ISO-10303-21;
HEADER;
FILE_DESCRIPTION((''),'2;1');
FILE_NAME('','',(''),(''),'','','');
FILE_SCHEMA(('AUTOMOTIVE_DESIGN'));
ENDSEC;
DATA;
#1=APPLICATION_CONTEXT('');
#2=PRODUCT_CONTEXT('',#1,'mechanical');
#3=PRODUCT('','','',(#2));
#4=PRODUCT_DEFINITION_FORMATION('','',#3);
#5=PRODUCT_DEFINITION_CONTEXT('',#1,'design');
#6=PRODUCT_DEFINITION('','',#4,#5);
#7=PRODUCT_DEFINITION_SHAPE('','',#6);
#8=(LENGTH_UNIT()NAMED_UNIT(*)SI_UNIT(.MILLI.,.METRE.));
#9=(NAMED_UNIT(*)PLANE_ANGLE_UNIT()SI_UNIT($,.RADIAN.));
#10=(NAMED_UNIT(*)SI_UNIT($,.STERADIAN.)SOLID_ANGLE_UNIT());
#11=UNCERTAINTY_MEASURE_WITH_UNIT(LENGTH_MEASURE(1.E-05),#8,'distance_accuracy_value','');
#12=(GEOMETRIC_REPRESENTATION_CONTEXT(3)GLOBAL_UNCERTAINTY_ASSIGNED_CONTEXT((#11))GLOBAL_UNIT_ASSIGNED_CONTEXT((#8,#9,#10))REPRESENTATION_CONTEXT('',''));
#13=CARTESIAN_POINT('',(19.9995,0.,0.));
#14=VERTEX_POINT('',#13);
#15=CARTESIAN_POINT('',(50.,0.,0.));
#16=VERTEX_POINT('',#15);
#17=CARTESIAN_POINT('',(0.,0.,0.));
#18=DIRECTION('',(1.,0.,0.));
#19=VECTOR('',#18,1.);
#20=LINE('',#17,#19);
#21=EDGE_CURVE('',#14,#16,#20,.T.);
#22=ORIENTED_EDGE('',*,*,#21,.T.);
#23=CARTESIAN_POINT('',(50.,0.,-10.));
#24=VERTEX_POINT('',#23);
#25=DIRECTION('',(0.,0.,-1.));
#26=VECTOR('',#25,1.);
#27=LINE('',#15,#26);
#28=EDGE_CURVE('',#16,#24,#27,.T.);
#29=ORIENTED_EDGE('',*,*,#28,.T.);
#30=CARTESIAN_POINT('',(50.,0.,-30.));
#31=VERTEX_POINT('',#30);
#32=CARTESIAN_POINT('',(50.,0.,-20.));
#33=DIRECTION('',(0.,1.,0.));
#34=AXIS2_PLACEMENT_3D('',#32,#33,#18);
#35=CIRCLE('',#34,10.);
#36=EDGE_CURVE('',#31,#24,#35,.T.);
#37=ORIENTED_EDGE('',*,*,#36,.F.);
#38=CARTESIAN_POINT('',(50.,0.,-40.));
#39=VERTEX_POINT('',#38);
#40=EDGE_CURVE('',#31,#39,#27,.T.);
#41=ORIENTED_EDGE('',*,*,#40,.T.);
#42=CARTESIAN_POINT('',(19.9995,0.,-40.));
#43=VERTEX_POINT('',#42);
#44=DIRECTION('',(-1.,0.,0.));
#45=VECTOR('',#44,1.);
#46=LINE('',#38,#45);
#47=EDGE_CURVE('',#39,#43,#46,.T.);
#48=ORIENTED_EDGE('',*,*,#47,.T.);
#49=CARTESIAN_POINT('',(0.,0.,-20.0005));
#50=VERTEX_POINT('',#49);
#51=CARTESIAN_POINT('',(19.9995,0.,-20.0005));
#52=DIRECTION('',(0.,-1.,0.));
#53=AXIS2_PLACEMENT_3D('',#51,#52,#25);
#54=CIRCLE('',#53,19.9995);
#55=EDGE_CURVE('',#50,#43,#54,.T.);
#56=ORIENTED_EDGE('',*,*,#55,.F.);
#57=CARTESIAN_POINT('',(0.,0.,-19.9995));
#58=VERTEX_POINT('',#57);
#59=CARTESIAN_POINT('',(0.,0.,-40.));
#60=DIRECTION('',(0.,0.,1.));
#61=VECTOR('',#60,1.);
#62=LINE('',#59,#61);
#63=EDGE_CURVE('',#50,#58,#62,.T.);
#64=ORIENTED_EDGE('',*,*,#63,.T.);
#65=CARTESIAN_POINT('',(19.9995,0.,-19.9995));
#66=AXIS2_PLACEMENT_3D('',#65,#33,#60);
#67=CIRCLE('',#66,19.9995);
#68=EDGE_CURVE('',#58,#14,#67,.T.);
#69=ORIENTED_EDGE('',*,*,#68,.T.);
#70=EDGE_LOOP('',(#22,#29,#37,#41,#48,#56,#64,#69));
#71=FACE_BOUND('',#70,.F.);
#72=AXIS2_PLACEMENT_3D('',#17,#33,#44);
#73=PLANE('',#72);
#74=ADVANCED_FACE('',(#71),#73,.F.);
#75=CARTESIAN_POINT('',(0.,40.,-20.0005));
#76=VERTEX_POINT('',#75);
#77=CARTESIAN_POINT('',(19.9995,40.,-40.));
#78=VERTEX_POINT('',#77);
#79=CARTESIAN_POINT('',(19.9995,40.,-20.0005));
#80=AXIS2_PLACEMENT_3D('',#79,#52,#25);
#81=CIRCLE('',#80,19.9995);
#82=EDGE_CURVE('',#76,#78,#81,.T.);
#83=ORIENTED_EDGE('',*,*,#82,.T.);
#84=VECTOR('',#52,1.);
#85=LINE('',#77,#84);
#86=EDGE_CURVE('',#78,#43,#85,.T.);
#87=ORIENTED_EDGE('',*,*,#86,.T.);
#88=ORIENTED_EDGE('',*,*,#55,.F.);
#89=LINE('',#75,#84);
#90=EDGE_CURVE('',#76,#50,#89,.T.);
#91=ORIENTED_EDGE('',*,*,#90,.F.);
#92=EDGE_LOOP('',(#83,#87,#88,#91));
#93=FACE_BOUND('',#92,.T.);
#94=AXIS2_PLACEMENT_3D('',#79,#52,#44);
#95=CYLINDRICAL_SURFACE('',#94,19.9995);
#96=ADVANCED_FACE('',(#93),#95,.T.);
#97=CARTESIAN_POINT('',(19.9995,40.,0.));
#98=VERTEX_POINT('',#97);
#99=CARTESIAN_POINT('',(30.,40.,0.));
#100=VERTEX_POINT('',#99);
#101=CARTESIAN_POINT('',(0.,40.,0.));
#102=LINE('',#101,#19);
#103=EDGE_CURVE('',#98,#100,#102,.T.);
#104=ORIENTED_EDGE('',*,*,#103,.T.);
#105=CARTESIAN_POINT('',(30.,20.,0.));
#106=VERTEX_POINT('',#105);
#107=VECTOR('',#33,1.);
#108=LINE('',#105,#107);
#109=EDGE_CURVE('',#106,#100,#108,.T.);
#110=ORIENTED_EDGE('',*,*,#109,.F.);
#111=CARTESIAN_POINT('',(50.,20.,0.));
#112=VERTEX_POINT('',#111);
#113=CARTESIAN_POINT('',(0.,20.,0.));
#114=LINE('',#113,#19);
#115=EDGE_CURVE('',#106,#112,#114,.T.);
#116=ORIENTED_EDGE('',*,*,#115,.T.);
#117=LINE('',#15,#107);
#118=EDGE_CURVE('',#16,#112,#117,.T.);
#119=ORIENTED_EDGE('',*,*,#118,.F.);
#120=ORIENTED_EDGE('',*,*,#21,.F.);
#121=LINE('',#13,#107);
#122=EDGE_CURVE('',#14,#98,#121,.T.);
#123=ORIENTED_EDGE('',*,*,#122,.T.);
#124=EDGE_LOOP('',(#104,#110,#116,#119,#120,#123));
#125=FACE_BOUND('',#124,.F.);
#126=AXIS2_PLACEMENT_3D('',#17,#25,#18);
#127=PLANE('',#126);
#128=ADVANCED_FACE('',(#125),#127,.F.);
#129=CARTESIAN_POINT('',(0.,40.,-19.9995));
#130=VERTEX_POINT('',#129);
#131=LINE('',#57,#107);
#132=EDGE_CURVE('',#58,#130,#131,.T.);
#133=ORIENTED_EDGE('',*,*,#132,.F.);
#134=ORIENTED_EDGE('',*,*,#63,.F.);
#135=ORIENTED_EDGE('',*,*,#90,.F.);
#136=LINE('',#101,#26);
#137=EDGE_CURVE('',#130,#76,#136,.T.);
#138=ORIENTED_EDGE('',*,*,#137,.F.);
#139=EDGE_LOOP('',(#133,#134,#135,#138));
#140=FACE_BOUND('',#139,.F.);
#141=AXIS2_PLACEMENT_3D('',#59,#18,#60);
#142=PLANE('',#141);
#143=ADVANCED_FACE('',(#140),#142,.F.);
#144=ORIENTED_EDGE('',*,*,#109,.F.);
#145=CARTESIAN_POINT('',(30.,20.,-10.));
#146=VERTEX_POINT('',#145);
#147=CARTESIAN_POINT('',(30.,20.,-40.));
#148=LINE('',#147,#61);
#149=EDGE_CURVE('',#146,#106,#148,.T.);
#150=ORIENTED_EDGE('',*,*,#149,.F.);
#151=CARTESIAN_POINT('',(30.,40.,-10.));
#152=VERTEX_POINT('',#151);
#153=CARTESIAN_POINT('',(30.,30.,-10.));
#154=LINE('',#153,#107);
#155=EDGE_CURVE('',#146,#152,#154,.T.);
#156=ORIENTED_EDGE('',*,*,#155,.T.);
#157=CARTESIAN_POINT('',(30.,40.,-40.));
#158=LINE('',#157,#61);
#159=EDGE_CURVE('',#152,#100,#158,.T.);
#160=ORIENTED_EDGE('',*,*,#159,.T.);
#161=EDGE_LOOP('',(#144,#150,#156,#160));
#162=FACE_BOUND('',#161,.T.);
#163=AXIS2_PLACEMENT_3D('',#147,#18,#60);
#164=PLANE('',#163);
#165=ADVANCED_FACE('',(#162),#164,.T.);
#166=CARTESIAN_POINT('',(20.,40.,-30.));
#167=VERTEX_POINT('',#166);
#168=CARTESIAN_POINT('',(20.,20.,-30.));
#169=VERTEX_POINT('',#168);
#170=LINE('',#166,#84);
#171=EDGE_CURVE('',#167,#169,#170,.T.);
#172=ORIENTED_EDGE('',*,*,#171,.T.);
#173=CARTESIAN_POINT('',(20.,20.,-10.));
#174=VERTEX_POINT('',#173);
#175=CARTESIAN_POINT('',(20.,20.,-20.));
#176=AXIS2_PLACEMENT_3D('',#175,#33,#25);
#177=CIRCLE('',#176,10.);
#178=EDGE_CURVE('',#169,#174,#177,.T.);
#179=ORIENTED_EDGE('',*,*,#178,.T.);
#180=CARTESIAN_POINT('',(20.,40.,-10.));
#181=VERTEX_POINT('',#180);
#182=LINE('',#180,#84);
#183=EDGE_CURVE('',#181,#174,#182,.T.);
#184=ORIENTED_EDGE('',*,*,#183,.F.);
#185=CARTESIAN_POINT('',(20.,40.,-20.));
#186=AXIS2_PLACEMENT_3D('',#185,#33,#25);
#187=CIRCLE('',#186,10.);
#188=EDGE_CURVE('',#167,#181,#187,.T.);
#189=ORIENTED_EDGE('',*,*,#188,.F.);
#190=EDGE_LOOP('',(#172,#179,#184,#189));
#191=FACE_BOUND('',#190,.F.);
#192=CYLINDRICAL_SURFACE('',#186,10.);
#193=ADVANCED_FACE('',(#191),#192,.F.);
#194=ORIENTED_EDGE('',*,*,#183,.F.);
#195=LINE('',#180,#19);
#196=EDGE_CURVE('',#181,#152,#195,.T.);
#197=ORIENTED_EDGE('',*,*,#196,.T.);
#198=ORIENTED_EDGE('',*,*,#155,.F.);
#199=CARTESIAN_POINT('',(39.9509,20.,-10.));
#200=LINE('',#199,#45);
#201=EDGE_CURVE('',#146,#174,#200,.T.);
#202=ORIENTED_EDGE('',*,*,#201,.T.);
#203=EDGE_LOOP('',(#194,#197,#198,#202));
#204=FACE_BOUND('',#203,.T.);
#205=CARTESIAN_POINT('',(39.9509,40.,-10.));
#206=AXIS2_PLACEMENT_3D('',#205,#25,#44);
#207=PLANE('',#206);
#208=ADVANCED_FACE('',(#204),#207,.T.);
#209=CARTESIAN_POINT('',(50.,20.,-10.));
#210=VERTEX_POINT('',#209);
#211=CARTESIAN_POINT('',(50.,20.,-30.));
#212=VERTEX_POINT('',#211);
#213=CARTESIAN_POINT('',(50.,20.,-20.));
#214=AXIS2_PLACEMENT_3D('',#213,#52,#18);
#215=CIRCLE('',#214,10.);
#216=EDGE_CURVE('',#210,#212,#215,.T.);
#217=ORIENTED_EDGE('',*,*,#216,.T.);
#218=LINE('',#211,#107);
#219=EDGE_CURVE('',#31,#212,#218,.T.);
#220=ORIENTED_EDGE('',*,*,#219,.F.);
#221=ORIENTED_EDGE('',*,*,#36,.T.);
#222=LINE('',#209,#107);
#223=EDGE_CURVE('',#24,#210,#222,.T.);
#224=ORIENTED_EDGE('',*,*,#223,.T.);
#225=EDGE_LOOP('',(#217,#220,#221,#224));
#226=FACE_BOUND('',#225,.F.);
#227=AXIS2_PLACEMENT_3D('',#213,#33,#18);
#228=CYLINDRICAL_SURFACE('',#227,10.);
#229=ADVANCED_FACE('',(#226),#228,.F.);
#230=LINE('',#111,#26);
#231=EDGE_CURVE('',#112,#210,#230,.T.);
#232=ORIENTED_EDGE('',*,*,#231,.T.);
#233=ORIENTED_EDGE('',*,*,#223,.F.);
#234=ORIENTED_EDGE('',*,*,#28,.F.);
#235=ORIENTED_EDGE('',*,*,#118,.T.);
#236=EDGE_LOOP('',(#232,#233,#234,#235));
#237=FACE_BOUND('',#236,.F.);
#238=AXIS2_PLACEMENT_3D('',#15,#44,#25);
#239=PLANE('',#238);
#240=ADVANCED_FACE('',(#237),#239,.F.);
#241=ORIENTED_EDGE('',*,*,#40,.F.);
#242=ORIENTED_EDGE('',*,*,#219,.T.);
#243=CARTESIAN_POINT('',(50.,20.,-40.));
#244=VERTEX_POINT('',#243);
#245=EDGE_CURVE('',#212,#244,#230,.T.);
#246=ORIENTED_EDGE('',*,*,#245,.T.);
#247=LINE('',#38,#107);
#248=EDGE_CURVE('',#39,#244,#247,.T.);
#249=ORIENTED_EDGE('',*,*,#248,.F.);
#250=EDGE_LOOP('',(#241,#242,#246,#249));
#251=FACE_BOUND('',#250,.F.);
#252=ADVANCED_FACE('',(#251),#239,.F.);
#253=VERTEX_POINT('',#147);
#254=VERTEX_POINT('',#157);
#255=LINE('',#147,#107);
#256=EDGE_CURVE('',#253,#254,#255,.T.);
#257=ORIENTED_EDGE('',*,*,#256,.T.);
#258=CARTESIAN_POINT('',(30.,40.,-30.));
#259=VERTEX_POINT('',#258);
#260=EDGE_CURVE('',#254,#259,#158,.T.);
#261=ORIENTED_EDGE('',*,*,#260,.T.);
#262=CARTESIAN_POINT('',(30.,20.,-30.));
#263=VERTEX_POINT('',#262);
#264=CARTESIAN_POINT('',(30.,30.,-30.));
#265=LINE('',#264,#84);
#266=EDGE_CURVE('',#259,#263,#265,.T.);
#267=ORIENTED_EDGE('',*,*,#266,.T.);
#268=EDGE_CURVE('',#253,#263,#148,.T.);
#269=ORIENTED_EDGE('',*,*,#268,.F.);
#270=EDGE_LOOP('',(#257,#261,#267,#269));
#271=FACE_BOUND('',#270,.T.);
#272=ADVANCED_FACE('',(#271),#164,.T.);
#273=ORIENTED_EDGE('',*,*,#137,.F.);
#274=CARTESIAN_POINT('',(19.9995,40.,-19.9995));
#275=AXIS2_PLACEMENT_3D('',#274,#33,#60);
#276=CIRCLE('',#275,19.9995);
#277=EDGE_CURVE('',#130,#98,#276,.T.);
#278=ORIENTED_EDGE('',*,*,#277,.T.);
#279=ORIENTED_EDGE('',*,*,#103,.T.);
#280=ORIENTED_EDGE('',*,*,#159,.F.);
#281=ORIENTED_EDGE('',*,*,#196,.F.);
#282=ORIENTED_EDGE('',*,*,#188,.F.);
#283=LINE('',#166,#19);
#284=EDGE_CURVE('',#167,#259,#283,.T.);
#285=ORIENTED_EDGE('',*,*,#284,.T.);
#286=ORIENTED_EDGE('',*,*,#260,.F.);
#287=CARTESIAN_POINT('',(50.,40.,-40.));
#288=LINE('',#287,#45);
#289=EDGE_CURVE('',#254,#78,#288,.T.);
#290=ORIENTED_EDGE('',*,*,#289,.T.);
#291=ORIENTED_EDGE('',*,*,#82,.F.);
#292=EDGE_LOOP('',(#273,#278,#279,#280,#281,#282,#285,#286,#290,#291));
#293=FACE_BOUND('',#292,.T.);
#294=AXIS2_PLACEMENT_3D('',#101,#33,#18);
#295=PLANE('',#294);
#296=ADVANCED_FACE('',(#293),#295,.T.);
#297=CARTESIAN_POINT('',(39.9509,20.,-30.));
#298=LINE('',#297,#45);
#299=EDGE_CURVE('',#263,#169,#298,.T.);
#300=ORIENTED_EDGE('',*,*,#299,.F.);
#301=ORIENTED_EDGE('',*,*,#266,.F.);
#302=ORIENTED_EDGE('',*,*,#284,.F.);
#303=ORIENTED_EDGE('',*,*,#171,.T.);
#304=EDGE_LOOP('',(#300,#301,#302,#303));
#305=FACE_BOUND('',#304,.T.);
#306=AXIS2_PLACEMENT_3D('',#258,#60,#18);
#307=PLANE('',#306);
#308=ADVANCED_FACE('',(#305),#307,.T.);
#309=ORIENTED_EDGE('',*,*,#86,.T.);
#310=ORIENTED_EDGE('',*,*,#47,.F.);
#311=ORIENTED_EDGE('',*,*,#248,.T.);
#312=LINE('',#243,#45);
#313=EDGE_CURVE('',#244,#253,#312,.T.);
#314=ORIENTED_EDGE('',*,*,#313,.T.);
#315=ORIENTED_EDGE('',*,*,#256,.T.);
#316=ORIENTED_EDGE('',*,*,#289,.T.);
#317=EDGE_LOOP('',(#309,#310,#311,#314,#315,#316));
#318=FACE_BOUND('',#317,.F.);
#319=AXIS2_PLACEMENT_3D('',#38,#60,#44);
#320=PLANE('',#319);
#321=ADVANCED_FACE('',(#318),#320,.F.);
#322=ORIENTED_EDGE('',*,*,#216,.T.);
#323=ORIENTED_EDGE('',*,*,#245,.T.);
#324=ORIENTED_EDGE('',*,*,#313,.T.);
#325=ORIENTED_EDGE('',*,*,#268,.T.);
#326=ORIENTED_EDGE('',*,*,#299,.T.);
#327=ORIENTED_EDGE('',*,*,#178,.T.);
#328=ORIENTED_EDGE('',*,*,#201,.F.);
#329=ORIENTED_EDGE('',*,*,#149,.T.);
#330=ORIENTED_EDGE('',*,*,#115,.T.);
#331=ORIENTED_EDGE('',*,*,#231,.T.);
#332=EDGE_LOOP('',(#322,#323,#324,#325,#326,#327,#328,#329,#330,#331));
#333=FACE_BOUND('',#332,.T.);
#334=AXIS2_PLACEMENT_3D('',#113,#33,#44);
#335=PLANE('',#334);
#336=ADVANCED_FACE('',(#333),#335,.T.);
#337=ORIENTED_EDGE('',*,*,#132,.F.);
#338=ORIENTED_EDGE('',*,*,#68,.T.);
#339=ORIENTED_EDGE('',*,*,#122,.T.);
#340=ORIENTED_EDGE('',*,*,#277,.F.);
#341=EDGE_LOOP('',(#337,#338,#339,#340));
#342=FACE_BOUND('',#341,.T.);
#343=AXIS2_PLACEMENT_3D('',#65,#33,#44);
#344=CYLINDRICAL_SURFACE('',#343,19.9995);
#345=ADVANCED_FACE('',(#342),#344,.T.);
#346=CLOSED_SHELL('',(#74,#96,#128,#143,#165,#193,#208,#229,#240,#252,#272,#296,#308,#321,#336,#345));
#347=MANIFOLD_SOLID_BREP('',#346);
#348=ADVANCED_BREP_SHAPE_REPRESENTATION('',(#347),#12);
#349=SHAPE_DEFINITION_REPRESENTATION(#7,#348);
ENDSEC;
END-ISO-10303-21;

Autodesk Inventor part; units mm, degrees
ref_plane "YZ Plane" through (0, 0, 0) normal (1, 0, 0) x (0, 1, 0)
ref_plane "XZ Plane" through (0, 0, 0) normal (0, 1, 0) x (-1, 0, 0)
ref_plane "XY Plane" through (0, 0, 0) normal (0, 0, 1) x (1, 0, 0)
sketch "草圖1" plane through (0, 0, 0) normal (0, 1, 0) x (-1, 0, 0)
  line L0 (0, 0) -> (-50, 0)
  line L1 (-50, 0) -> (-50, -40)
  line L2 (-50, -40) -> (0, -40)
  line L3 (0, -40) -> (0, 0)
  dimension "d0" = 50
  dimension "d1" = 40
extrude "擠出1" add sketch "草圖1" along normal blind 20
sketch "草圖2" plane through (0, 20, 0) normal (0, 1, 0) x (1, 0, 0)
  line L0 (50, 40) -> (0, 40) projected
  line L1 (0, 0) -> (50, 0) projected
  line L2 (0, 40) -> (30, 40)
  line L3 (30, 40) -> (30, 0)
  line L4 (30, 0) -> (0, 0)
  line L5 (0, 0) -> (0, 40)
  dimension "d4" = 30
extrude "擠出2" add sketch "草圖2" along normal blind 20
fillet "圓角1" radius 20 2 edges at (0, 20, 0) (0, 20, -40)
sketch "草圖3" plane through (0, 40, 0) normal (0, 1, 0) x (1, 0, 0)
  arc A0 (20, 40) -> (20, 0) centre (20, 20) ccw projected
  line L0 (20, 0) -> (30, 0) projected
  line L1 (30, 0) -> (30, 40) projected
  line L2 (30, 40) -> (20, 40) projected
  arc A1 (20, 30) -> (20, 10) centre (20, 20) ccw
  line L3 (20, 30) -> (20, 30)
  line L4 (20, 30) -> (20, 10)
  line L5 (20, 10) -> (20, 10)
  line L6 (20, 30) -> (39.9509, 30)
  line L7 (39.9509, 30) -> (39.9509, 10)
  line L8 (39.9509, 10) -> (20, 10)
  line L9 (20, 10) -> (20, 30)
  point P0 (0, 0)
  dimension "d8" = 20
extrude "擠出3" cut sketch "草圖3" against normal blind 20 contours L6 L7 L8 L1 | L1 L8 L4 L6 | L4 A1
sketch "草圖4" plane through (0, 20, 0) normal (0, 1, 0) x (1, 0, 0)
  line L0 (50, 0) -> (50, 40) projected
  circle A0 centre (50, 20) radius 10
  point P0 (0, 0)
  dimension "d11" = 20
extrude "擠出4" cut sketch "草圖4" against normal blind 20
properties part number "29"
